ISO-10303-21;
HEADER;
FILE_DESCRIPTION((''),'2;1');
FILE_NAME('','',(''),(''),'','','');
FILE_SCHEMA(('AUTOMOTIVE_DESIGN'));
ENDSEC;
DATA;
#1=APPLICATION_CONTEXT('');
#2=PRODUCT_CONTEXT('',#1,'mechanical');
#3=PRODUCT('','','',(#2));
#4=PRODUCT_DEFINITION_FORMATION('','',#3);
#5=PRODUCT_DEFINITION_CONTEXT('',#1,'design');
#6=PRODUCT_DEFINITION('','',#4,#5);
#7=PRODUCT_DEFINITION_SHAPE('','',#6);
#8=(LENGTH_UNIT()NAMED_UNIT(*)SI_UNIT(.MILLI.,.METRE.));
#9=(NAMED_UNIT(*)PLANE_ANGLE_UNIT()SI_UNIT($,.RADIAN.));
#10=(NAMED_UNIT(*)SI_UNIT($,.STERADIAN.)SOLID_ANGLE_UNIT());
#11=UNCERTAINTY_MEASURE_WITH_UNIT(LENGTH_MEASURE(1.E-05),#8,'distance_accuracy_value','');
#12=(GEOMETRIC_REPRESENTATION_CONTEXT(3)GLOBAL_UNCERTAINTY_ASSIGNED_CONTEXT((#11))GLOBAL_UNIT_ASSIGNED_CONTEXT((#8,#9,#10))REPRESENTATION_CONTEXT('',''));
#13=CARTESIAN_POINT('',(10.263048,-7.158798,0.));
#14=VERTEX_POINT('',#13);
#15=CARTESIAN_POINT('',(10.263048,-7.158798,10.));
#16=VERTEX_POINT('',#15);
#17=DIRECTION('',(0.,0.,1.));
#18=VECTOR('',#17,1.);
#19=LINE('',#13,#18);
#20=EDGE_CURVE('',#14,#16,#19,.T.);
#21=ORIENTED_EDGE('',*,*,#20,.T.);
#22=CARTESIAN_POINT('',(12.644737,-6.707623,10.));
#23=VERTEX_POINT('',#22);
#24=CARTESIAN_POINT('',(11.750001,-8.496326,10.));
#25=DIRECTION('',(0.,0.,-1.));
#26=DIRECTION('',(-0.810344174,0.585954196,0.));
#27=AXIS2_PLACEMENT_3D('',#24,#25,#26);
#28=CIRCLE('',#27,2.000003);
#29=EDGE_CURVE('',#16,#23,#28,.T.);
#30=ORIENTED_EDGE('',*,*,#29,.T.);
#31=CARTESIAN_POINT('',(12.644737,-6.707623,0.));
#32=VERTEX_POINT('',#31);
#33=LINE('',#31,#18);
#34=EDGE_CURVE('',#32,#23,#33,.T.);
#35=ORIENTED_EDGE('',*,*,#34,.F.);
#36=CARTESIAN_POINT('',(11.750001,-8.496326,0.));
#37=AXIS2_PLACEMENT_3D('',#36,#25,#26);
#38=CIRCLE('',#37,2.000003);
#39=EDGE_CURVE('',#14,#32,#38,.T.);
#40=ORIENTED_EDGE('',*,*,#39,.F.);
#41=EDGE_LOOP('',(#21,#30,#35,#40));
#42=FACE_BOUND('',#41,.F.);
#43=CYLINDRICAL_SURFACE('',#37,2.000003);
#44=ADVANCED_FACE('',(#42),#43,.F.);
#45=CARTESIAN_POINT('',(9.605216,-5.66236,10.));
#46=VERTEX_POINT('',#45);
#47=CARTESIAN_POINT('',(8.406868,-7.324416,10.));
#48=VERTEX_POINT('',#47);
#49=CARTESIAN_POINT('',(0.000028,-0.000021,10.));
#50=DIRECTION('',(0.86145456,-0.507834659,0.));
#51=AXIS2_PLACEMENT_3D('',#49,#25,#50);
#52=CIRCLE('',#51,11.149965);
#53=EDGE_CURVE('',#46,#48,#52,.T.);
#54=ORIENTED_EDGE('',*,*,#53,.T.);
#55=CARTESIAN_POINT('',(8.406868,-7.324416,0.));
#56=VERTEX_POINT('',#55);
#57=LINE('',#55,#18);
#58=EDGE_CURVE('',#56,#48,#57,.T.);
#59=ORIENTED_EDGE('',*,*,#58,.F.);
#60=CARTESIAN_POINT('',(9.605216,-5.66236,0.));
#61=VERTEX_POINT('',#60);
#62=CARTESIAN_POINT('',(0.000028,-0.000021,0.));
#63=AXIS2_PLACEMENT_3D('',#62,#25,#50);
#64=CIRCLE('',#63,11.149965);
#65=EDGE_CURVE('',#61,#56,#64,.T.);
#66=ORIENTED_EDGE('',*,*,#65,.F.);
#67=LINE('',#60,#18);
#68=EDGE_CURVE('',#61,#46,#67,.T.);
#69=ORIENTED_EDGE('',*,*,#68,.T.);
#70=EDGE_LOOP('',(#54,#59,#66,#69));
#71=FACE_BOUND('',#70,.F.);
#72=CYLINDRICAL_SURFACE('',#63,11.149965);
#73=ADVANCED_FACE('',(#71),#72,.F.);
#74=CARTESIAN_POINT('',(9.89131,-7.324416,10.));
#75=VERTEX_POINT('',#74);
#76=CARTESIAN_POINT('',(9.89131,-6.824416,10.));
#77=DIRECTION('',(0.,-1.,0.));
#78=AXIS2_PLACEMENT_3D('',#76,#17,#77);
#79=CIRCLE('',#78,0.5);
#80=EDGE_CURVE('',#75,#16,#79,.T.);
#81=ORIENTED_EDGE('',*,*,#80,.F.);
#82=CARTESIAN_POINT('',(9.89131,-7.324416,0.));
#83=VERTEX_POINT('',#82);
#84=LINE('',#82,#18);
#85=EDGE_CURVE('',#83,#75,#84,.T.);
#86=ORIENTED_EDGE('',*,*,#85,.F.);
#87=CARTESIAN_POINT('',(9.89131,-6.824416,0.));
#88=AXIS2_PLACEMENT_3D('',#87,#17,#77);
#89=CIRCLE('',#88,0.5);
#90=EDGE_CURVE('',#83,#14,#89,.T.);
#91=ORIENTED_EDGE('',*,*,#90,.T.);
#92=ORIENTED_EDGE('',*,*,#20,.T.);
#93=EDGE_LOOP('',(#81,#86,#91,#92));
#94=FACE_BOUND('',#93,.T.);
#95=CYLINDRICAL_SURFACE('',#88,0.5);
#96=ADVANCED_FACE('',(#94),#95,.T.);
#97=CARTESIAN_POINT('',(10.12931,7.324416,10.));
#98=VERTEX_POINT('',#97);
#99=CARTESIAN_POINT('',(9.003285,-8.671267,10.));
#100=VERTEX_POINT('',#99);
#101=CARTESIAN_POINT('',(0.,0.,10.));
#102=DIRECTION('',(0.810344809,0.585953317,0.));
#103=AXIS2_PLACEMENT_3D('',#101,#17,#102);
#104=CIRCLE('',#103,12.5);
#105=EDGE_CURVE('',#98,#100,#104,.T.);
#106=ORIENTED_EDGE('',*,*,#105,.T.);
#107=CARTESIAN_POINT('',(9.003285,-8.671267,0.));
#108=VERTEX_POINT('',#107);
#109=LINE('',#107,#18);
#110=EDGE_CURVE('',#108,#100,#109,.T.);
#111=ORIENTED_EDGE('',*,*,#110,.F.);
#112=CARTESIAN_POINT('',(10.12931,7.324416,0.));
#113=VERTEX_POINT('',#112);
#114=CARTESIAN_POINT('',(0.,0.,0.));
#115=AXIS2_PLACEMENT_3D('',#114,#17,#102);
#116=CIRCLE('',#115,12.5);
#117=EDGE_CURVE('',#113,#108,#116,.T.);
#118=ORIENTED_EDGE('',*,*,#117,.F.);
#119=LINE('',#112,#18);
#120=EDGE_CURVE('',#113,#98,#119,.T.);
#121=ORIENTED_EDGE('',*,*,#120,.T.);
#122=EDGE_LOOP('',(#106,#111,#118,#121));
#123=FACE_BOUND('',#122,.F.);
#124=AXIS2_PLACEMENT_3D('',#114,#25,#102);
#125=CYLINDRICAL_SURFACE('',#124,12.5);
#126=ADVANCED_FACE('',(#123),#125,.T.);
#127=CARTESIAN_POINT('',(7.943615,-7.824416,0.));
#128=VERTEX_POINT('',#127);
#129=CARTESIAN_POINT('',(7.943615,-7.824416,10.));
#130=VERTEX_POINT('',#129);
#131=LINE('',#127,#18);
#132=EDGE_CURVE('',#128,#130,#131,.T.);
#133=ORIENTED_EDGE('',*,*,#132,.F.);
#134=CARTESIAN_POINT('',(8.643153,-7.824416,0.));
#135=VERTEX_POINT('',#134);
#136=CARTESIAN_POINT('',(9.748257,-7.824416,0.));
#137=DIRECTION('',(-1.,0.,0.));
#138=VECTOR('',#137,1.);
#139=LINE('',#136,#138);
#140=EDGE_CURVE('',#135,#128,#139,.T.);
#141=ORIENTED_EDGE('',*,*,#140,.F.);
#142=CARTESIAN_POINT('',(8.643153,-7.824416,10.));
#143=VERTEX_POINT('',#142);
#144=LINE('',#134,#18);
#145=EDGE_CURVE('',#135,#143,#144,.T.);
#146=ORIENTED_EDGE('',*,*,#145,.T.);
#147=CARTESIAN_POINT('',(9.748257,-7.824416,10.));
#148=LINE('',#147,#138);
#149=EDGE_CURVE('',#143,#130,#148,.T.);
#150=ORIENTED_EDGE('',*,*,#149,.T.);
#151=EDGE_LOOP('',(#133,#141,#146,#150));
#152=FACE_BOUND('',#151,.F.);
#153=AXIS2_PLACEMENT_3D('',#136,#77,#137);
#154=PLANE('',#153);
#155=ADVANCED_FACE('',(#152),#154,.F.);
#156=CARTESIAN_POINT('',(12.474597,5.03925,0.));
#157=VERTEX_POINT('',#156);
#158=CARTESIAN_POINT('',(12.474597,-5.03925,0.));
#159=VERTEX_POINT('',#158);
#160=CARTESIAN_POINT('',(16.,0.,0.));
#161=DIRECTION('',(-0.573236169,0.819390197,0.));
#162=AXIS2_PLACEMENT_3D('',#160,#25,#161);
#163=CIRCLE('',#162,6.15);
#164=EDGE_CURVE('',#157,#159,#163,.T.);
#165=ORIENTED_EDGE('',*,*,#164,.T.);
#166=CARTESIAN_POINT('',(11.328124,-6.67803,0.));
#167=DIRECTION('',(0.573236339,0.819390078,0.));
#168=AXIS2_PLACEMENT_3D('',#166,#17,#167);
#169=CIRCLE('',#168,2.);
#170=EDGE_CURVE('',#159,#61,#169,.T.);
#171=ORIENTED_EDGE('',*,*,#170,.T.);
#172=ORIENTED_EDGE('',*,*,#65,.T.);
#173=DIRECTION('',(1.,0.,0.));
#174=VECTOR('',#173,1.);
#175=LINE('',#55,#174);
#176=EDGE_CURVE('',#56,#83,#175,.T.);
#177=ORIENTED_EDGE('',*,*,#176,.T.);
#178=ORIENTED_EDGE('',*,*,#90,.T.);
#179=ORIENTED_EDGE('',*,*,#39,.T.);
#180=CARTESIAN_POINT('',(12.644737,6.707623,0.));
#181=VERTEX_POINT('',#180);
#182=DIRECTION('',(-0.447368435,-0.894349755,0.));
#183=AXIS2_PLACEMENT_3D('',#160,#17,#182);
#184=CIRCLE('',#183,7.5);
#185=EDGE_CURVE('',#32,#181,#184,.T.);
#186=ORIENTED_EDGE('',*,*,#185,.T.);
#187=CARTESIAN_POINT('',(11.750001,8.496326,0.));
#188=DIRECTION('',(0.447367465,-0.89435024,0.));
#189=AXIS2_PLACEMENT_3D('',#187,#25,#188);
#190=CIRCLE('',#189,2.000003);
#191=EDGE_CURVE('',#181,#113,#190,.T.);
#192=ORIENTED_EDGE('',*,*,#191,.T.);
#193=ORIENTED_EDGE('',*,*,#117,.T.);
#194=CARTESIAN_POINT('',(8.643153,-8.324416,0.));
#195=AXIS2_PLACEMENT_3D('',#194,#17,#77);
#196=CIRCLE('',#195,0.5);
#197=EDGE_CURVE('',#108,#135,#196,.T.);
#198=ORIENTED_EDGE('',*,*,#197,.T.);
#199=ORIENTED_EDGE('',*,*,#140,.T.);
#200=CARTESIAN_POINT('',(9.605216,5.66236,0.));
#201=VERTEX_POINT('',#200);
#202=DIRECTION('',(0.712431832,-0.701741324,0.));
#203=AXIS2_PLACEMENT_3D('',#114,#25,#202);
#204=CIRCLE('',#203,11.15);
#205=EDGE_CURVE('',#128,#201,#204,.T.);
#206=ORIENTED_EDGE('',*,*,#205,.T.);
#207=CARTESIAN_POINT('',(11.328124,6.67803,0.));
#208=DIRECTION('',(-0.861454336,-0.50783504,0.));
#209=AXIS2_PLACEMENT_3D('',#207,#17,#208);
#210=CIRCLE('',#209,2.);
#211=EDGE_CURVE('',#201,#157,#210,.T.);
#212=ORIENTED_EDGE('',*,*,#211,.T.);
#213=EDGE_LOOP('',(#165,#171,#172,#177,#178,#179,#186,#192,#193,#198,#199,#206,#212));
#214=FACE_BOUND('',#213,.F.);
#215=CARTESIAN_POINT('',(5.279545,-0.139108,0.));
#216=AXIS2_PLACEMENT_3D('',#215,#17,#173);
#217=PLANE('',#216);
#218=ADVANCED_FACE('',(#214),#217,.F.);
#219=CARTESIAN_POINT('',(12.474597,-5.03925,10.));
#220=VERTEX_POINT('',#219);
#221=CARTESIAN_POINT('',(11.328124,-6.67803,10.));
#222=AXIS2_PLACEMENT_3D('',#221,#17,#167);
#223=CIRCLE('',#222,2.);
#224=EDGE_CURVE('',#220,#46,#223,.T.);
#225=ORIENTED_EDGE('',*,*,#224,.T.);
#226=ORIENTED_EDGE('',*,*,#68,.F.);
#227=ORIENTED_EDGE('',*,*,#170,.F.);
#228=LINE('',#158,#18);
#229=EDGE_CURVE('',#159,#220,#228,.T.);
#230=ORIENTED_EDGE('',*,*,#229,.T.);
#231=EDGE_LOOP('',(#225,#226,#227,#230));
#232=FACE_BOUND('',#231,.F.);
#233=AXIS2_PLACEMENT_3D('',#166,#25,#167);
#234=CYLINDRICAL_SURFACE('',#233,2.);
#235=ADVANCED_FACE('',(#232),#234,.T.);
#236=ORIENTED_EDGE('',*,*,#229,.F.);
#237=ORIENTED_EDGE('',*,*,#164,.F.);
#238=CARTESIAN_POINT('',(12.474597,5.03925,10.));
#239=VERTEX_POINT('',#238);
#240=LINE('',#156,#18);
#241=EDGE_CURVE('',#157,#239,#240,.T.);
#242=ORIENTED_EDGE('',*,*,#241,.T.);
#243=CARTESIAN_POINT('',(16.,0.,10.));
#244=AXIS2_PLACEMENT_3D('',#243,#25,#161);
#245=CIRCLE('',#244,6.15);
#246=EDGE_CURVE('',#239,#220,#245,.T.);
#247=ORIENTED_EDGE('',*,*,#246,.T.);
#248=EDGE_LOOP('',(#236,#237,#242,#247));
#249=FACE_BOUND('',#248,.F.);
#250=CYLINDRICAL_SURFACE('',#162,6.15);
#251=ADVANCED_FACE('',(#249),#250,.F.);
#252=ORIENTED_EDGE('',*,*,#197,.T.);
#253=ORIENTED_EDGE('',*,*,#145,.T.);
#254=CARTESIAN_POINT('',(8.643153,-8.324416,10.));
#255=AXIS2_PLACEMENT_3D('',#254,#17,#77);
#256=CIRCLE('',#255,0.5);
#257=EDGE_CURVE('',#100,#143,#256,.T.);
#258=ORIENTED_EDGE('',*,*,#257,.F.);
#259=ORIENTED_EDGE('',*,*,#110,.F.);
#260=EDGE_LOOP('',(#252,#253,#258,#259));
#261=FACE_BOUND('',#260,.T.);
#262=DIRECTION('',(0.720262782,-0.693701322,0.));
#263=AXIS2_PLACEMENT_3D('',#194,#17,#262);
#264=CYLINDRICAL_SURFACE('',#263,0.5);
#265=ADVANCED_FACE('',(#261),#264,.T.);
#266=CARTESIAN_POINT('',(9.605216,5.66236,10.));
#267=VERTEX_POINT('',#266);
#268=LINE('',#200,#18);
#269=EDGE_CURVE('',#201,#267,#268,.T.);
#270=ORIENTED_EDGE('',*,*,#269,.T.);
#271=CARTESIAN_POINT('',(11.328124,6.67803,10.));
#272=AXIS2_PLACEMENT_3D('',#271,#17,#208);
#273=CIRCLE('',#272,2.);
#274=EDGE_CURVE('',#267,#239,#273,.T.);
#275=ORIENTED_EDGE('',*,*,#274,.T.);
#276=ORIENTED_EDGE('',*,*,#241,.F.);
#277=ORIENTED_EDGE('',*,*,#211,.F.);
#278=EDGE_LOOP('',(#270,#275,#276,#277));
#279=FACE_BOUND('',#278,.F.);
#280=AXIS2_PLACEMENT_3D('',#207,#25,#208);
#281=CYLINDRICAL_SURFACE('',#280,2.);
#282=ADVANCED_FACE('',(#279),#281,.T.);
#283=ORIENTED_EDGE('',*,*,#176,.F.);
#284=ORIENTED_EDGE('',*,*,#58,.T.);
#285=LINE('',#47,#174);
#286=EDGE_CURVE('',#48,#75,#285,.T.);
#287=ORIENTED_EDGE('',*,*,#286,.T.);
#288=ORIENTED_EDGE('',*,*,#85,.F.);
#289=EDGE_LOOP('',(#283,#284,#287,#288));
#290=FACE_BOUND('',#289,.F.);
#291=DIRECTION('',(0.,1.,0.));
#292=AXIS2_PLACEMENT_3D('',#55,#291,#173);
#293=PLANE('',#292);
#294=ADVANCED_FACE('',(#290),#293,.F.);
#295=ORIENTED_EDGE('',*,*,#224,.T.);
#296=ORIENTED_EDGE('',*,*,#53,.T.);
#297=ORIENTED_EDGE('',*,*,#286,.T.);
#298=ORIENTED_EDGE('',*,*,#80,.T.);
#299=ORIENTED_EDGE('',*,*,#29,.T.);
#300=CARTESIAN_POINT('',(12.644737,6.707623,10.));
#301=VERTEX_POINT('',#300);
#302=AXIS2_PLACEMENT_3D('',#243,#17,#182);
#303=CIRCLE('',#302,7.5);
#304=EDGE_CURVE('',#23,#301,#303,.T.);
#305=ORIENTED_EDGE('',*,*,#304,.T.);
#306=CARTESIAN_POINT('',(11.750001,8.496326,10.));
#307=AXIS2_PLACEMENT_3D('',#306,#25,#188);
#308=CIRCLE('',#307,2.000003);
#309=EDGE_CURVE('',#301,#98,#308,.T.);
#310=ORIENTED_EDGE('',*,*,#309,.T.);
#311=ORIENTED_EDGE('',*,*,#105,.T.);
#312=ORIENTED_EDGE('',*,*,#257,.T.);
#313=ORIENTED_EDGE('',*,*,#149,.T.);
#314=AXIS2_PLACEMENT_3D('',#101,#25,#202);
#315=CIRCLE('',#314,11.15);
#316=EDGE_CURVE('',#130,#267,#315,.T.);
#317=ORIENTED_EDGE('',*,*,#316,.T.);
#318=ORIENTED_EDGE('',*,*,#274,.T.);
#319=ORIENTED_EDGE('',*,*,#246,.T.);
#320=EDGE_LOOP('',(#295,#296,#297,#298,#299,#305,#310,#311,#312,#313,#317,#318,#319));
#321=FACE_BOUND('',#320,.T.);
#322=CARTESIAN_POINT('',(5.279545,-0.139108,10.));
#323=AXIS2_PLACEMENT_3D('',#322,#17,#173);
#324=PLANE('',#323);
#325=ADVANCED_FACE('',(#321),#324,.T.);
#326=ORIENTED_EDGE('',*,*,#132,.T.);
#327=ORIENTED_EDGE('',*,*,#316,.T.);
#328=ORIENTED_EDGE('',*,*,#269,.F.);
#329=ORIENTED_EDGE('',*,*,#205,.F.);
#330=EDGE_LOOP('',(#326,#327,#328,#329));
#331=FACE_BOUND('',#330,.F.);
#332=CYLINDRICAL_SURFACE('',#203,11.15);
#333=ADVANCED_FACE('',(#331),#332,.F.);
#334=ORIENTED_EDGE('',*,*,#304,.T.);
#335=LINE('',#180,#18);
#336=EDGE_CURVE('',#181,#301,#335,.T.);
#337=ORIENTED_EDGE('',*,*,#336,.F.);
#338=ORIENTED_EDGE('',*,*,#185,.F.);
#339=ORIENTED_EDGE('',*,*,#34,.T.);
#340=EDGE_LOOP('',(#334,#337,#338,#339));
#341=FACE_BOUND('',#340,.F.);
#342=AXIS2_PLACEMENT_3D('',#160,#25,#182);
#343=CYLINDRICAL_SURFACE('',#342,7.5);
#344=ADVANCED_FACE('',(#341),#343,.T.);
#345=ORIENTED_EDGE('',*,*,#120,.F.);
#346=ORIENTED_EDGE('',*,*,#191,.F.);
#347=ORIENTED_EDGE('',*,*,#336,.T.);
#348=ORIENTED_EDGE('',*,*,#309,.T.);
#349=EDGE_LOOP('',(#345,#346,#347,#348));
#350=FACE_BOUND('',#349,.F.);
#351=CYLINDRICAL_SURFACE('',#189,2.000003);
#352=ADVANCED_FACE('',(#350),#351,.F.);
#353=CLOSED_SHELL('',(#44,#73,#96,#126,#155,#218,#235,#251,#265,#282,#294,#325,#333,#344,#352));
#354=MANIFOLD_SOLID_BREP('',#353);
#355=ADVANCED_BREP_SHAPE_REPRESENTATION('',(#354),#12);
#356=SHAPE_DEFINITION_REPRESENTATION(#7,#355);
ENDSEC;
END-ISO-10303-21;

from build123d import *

# Parameters (mm, degrees)
F1_DEPTH = 10
F2_R     = 0.5


with BuildPart() as f1:
    # F0 (on Top) → F1 (new body)
    with BuildSketch(Plane.XY):
        with BuildLine():
            ThreePointArc((12.644737, 6.707623), (11.273702, 6.553866), (10.12931, 7.324416))
            ThreePointArc((10.12931, 7.324416), (-12.496047, 0.314325), (9.748257, -7.824416))
            Line((9.748257, -7.824416), (7.943615, -7.824416))
            ThreePointArc((7.943615, -7.824416), (-11.066329, 1.363397), (9.605216, 5.66236))
            ThreePointArc((9.605216, 5.66236), (10.9037, 4.723583), (12.474597, 5.03925))
            ThreePointArc((12.474597, 5.03925), (22.15, 0), (12.474597, -5.03925))
            ThreePointArc((12.474597, -5.03925), (10.9037, -4.723583), (9.605216, -5.66236))
            ThreePointArc((9.605216, -5.66236), (9.044302, -6.520974), (8.406868, -7.324416))
            Line((8.406868, -7.324416), (10.12931, -7.324416))
            ThreePointArc((10.12931, -7.324416), (11.273702, -6.553866), (12.644737, -6.707623))
            ThreePointArc((12.644737, -6.707623), (23.5, 0), (12.644737, 6.707623))
        make_face()
    extrude(amount=F1_DEPTH)

    # F2
    f2_edges = [f1.edges().sort_by_distance(p)[0] for p in [
        (9.748257, -7.824416, 5),
        (10.12931, -7.324416, 5),
    ]]
    fillet(f2_edges, radius=F2_R)


solid = f1.part
